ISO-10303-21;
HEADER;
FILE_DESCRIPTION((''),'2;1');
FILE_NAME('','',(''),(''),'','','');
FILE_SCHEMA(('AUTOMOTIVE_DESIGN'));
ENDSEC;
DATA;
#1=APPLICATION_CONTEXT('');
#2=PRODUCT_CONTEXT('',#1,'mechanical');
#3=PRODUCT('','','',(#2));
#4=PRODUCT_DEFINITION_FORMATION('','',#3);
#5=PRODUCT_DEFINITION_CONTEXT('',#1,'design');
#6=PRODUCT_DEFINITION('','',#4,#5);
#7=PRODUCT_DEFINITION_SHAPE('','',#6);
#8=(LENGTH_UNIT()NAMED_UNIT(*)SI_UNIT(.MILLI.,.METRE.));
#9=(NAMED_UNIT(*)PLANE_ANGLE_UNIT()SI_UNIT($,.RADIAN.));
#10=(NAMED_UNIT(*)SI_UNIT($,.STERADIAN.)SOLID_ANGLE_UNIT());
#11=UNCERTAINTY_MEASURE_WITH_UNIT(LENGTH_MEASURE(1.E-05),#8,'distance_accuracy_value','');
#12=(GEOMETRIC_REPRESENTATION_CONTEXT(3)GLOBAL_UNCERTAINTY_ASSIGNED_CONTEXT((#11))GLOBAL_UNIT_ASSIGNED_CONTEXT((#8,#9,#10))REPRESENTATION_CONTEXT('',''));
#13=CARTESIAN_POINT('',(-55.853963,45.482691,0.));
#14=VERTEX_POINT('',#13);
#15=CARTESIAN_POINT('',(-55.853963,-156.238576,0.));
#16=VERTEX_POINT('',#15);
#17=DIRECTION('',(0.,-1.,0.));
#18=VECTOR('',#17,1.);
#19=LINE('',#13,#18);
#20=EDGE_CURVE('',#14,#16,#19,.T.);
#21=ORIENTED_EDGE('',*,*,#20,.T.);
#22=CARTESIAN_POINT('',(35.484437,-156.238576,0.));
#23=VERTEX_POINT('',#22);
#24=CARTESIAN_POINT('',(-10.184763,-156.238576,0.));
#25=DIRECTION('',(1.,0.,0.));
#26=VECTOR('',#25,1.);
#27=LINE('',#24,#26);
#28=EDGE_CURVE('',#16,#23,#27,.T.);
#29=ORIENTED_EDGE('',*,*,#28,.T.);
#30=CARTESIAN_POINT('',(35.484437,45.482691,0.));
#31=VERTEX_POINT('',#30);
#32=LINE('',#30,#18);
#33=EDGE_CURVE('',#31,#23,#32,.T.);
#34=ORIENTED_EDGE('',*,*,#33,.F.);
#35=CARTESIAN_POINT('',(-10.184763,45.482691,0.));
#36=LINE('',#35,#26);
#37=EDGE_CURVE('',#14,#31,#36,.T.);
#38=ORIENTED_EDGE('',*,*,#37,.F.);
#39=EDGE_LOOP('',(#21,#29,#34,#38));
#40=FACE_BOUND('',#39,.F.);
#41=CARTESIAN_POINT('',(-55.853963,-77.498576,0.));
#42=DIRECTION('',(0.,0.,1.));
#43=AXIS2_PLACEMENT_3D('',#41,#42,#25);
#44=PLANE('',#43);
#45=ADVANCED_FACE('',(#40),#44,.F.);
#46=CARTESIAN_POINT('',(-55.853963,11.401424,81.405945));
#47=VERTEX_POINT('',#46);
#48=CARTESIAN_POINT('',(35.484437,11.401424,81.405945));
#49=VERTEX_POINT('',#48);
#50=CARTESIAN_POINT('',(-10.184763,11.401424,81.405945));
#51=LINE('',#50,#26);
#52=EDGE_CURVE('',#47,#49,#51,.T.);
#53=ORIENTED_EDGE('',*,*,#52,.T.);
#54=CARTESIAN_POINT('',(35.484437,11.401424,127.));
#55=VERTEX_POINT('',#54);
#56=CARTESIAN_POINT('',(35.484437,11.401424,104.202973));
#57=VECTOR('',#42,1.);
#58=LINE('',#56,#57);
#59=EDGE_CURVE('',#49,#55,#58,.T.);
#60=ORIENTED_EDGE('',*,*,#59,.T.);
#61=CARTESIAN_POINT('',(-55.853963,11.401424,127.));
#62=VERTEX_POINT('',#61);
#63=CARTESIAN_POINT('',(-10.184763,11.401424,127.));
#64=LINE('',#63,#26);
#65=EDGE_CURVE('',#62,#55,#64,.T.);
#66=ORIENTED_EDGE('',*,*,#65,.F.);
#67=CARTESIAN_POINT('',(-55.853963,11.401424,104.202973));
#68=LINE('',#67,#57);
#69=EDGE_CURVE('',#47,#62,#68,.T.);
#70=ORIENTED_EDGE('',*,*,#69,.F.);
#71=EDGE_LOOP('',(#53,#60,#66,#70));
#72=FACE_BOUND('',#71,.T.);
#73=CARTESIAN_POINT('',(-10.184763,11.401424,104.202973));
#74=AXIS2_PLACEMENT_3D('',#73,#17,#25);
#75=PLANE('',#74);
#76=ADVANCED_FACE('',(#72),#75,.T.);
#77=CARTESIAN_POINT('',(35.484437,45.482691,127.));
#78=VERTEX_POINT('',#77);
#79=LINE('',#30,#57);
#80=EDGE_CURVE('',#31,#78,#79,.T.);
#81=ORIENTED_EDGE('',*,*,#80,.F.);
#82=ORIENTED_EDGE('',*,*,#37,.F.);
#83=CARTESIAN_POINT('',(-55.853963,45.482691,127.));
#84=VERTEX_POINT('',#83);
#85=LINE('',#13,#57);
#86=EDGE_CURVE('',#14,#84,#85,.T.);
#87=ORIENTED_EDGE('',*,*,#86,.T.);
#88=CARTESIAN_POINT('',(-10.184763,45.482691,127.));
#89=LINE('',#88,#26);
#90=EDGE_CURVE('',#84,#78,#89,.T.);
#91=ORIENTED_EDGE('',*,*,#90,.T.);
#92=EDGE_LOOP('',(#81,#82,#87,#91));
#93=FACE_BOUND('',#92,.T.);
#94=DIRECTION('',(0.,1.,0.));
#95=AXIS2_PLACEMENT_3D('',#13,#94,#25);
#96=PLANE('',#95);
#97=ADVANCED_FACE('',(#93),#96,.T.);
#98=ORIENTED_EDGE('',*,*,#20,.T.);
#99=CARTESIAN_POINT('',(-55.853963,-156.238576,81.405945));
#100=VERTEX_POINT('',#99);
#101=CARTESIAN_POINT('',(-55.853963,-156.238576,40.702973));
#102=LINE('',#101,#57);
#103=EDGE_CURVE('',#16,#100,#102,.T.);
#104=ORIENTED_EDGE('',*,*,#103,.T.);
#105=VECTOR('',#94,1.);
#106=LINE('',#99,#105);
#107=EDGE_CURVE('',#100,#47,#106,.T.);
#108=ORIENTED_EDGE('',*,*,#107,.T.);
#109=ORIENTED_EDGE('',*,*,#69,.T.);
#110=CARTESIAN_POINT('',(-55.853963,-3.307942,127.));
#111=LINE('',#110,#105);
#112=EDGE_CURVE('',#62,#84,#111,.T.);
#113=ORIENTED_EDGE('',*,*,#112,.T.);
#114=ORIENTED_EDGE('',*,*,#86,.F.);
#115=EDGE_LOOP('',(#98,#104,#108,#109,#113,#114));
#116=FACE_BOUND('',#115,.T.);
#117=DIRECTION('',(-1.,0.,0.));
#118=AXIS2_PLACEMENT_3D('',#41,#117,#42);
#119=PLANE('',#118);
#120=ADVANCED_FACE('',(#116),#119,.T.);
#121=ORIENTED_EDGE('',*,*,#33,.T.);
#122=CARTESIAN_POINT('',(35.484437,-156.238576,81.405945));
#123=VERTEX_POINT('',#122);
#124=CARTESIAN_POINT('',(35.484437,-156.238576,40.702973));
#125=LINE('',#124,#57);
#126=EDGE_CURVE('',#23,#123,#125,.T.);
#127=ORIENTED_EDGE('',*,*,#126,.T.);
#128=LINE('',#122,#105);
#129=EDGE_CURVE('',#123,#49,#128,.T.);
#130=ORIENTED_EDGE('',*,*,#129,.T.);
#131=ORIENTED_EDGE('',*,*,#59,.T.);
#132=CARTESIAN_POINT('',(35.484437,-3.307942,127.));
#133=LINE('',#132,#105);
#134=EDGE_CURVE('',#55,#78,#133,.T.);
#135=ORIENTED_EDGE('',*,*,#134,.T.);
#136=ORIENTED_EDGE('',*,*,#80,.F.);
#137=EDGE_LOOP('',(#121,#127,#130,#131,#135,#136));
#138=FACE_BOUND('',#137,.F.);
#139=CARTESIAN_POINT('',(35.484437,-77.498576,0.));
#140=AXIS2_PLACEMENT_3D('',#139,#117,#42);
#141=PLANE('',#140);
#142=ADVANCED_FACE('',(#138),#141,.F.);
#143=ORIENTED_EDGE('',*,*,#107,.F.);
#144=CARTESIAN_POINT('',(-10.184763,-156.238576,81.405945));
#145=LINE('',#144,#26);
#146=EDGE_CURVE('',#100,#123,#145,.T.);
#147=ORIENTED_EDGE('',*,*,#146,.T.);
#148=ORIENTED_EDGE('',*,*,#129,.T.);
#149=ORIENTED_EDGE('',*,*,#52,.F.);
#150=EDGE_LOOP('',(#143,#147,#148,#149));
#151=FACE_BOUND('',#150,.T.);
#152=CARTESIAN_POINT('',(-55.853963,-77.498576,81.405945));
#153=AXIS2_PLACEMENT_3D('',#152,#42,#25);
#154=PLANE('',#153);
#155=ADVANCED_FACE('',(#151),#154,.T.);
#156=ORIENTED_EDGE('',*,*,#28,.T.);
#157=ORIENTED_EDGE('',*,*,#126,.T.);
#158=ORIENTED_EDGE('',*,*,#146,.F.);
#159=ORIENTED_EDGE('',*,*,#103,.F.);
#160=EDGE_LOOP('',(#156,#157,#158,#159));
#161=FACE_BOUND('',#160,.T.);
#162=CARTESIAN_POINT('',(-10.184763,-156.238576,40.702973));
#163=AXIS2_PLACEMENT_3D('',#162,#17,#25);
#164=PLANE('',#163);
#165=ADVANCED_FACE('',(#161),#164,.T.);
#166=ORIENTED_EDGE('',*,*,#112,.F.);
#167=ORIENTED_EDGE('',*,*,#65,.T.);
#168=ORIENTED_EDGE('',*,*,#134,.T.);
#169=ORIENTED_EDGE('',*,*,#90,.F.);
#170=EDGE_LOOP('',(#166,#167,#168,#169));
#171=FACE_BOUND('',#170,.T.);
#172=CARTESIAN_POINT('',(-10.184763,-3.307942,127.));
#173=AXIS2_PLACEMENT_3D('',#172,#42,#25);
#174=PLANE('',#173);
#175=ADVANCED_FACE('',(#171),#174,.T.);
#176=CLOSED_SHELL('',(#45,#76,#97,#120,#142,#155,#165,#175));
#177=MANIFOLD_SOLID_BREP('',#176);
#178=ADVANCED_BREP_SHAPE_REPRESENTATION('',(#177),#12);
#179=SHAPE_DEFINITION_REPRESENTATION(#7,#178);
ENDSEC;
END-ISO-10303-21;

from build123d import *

# Parameters (mm, degrees)
F0_W     = 91.3384
F0_H     = 97.5812673569
F1_DEPTH = 127
F2_W     = 91.3384
F2_H     = 45.5940548778
F3_DEPTH = 63.5
F4_DEPTH = 25.4
F5_W     = 91.3384
F5_H     = 81.4059451222
F6_DEPTH = 78.74


with BuildPart() as f1:
    # F0 (on Top) → F1 (new body)
    with BuildSketch(Plane.XY):
        with Locations((-10.1847631006, -3.307942301)):
            Rectangle(F0_W, F0_H)
    extrude(amount=F1_DEPTH)

    # F2 (on face) → F3 (cut)
    with BuildSketch(Plane.XZ.offset(52.0985759795)):
        with Locations((-10.1847631006, 104.2029725611)):
            Rectangle(F2_W, F2_H)
    extrude(amount=-F3_DEPTH, mode=Mode.SUBTRACT)

    # F4 (add): a face of the model
    f4_faces = [f1.faces().sort_by_distance(p)[0] for p in [
        (-10.1847631006, -52.0985759795, 40.7029725611),
    ]]
    extrude(f4_faces, amount=F4_DEPTH)

    # F5 (on face) → F6 (join)
    with BuildSketch(Plane.XZ.offset(77.4985759795)):
        with Locations((-10.1847631006, 40.7029725611)):
            Rectangle(F5_W, F5_H)
    extrude(amount=F6_DEPTH)


solid = f1.part
